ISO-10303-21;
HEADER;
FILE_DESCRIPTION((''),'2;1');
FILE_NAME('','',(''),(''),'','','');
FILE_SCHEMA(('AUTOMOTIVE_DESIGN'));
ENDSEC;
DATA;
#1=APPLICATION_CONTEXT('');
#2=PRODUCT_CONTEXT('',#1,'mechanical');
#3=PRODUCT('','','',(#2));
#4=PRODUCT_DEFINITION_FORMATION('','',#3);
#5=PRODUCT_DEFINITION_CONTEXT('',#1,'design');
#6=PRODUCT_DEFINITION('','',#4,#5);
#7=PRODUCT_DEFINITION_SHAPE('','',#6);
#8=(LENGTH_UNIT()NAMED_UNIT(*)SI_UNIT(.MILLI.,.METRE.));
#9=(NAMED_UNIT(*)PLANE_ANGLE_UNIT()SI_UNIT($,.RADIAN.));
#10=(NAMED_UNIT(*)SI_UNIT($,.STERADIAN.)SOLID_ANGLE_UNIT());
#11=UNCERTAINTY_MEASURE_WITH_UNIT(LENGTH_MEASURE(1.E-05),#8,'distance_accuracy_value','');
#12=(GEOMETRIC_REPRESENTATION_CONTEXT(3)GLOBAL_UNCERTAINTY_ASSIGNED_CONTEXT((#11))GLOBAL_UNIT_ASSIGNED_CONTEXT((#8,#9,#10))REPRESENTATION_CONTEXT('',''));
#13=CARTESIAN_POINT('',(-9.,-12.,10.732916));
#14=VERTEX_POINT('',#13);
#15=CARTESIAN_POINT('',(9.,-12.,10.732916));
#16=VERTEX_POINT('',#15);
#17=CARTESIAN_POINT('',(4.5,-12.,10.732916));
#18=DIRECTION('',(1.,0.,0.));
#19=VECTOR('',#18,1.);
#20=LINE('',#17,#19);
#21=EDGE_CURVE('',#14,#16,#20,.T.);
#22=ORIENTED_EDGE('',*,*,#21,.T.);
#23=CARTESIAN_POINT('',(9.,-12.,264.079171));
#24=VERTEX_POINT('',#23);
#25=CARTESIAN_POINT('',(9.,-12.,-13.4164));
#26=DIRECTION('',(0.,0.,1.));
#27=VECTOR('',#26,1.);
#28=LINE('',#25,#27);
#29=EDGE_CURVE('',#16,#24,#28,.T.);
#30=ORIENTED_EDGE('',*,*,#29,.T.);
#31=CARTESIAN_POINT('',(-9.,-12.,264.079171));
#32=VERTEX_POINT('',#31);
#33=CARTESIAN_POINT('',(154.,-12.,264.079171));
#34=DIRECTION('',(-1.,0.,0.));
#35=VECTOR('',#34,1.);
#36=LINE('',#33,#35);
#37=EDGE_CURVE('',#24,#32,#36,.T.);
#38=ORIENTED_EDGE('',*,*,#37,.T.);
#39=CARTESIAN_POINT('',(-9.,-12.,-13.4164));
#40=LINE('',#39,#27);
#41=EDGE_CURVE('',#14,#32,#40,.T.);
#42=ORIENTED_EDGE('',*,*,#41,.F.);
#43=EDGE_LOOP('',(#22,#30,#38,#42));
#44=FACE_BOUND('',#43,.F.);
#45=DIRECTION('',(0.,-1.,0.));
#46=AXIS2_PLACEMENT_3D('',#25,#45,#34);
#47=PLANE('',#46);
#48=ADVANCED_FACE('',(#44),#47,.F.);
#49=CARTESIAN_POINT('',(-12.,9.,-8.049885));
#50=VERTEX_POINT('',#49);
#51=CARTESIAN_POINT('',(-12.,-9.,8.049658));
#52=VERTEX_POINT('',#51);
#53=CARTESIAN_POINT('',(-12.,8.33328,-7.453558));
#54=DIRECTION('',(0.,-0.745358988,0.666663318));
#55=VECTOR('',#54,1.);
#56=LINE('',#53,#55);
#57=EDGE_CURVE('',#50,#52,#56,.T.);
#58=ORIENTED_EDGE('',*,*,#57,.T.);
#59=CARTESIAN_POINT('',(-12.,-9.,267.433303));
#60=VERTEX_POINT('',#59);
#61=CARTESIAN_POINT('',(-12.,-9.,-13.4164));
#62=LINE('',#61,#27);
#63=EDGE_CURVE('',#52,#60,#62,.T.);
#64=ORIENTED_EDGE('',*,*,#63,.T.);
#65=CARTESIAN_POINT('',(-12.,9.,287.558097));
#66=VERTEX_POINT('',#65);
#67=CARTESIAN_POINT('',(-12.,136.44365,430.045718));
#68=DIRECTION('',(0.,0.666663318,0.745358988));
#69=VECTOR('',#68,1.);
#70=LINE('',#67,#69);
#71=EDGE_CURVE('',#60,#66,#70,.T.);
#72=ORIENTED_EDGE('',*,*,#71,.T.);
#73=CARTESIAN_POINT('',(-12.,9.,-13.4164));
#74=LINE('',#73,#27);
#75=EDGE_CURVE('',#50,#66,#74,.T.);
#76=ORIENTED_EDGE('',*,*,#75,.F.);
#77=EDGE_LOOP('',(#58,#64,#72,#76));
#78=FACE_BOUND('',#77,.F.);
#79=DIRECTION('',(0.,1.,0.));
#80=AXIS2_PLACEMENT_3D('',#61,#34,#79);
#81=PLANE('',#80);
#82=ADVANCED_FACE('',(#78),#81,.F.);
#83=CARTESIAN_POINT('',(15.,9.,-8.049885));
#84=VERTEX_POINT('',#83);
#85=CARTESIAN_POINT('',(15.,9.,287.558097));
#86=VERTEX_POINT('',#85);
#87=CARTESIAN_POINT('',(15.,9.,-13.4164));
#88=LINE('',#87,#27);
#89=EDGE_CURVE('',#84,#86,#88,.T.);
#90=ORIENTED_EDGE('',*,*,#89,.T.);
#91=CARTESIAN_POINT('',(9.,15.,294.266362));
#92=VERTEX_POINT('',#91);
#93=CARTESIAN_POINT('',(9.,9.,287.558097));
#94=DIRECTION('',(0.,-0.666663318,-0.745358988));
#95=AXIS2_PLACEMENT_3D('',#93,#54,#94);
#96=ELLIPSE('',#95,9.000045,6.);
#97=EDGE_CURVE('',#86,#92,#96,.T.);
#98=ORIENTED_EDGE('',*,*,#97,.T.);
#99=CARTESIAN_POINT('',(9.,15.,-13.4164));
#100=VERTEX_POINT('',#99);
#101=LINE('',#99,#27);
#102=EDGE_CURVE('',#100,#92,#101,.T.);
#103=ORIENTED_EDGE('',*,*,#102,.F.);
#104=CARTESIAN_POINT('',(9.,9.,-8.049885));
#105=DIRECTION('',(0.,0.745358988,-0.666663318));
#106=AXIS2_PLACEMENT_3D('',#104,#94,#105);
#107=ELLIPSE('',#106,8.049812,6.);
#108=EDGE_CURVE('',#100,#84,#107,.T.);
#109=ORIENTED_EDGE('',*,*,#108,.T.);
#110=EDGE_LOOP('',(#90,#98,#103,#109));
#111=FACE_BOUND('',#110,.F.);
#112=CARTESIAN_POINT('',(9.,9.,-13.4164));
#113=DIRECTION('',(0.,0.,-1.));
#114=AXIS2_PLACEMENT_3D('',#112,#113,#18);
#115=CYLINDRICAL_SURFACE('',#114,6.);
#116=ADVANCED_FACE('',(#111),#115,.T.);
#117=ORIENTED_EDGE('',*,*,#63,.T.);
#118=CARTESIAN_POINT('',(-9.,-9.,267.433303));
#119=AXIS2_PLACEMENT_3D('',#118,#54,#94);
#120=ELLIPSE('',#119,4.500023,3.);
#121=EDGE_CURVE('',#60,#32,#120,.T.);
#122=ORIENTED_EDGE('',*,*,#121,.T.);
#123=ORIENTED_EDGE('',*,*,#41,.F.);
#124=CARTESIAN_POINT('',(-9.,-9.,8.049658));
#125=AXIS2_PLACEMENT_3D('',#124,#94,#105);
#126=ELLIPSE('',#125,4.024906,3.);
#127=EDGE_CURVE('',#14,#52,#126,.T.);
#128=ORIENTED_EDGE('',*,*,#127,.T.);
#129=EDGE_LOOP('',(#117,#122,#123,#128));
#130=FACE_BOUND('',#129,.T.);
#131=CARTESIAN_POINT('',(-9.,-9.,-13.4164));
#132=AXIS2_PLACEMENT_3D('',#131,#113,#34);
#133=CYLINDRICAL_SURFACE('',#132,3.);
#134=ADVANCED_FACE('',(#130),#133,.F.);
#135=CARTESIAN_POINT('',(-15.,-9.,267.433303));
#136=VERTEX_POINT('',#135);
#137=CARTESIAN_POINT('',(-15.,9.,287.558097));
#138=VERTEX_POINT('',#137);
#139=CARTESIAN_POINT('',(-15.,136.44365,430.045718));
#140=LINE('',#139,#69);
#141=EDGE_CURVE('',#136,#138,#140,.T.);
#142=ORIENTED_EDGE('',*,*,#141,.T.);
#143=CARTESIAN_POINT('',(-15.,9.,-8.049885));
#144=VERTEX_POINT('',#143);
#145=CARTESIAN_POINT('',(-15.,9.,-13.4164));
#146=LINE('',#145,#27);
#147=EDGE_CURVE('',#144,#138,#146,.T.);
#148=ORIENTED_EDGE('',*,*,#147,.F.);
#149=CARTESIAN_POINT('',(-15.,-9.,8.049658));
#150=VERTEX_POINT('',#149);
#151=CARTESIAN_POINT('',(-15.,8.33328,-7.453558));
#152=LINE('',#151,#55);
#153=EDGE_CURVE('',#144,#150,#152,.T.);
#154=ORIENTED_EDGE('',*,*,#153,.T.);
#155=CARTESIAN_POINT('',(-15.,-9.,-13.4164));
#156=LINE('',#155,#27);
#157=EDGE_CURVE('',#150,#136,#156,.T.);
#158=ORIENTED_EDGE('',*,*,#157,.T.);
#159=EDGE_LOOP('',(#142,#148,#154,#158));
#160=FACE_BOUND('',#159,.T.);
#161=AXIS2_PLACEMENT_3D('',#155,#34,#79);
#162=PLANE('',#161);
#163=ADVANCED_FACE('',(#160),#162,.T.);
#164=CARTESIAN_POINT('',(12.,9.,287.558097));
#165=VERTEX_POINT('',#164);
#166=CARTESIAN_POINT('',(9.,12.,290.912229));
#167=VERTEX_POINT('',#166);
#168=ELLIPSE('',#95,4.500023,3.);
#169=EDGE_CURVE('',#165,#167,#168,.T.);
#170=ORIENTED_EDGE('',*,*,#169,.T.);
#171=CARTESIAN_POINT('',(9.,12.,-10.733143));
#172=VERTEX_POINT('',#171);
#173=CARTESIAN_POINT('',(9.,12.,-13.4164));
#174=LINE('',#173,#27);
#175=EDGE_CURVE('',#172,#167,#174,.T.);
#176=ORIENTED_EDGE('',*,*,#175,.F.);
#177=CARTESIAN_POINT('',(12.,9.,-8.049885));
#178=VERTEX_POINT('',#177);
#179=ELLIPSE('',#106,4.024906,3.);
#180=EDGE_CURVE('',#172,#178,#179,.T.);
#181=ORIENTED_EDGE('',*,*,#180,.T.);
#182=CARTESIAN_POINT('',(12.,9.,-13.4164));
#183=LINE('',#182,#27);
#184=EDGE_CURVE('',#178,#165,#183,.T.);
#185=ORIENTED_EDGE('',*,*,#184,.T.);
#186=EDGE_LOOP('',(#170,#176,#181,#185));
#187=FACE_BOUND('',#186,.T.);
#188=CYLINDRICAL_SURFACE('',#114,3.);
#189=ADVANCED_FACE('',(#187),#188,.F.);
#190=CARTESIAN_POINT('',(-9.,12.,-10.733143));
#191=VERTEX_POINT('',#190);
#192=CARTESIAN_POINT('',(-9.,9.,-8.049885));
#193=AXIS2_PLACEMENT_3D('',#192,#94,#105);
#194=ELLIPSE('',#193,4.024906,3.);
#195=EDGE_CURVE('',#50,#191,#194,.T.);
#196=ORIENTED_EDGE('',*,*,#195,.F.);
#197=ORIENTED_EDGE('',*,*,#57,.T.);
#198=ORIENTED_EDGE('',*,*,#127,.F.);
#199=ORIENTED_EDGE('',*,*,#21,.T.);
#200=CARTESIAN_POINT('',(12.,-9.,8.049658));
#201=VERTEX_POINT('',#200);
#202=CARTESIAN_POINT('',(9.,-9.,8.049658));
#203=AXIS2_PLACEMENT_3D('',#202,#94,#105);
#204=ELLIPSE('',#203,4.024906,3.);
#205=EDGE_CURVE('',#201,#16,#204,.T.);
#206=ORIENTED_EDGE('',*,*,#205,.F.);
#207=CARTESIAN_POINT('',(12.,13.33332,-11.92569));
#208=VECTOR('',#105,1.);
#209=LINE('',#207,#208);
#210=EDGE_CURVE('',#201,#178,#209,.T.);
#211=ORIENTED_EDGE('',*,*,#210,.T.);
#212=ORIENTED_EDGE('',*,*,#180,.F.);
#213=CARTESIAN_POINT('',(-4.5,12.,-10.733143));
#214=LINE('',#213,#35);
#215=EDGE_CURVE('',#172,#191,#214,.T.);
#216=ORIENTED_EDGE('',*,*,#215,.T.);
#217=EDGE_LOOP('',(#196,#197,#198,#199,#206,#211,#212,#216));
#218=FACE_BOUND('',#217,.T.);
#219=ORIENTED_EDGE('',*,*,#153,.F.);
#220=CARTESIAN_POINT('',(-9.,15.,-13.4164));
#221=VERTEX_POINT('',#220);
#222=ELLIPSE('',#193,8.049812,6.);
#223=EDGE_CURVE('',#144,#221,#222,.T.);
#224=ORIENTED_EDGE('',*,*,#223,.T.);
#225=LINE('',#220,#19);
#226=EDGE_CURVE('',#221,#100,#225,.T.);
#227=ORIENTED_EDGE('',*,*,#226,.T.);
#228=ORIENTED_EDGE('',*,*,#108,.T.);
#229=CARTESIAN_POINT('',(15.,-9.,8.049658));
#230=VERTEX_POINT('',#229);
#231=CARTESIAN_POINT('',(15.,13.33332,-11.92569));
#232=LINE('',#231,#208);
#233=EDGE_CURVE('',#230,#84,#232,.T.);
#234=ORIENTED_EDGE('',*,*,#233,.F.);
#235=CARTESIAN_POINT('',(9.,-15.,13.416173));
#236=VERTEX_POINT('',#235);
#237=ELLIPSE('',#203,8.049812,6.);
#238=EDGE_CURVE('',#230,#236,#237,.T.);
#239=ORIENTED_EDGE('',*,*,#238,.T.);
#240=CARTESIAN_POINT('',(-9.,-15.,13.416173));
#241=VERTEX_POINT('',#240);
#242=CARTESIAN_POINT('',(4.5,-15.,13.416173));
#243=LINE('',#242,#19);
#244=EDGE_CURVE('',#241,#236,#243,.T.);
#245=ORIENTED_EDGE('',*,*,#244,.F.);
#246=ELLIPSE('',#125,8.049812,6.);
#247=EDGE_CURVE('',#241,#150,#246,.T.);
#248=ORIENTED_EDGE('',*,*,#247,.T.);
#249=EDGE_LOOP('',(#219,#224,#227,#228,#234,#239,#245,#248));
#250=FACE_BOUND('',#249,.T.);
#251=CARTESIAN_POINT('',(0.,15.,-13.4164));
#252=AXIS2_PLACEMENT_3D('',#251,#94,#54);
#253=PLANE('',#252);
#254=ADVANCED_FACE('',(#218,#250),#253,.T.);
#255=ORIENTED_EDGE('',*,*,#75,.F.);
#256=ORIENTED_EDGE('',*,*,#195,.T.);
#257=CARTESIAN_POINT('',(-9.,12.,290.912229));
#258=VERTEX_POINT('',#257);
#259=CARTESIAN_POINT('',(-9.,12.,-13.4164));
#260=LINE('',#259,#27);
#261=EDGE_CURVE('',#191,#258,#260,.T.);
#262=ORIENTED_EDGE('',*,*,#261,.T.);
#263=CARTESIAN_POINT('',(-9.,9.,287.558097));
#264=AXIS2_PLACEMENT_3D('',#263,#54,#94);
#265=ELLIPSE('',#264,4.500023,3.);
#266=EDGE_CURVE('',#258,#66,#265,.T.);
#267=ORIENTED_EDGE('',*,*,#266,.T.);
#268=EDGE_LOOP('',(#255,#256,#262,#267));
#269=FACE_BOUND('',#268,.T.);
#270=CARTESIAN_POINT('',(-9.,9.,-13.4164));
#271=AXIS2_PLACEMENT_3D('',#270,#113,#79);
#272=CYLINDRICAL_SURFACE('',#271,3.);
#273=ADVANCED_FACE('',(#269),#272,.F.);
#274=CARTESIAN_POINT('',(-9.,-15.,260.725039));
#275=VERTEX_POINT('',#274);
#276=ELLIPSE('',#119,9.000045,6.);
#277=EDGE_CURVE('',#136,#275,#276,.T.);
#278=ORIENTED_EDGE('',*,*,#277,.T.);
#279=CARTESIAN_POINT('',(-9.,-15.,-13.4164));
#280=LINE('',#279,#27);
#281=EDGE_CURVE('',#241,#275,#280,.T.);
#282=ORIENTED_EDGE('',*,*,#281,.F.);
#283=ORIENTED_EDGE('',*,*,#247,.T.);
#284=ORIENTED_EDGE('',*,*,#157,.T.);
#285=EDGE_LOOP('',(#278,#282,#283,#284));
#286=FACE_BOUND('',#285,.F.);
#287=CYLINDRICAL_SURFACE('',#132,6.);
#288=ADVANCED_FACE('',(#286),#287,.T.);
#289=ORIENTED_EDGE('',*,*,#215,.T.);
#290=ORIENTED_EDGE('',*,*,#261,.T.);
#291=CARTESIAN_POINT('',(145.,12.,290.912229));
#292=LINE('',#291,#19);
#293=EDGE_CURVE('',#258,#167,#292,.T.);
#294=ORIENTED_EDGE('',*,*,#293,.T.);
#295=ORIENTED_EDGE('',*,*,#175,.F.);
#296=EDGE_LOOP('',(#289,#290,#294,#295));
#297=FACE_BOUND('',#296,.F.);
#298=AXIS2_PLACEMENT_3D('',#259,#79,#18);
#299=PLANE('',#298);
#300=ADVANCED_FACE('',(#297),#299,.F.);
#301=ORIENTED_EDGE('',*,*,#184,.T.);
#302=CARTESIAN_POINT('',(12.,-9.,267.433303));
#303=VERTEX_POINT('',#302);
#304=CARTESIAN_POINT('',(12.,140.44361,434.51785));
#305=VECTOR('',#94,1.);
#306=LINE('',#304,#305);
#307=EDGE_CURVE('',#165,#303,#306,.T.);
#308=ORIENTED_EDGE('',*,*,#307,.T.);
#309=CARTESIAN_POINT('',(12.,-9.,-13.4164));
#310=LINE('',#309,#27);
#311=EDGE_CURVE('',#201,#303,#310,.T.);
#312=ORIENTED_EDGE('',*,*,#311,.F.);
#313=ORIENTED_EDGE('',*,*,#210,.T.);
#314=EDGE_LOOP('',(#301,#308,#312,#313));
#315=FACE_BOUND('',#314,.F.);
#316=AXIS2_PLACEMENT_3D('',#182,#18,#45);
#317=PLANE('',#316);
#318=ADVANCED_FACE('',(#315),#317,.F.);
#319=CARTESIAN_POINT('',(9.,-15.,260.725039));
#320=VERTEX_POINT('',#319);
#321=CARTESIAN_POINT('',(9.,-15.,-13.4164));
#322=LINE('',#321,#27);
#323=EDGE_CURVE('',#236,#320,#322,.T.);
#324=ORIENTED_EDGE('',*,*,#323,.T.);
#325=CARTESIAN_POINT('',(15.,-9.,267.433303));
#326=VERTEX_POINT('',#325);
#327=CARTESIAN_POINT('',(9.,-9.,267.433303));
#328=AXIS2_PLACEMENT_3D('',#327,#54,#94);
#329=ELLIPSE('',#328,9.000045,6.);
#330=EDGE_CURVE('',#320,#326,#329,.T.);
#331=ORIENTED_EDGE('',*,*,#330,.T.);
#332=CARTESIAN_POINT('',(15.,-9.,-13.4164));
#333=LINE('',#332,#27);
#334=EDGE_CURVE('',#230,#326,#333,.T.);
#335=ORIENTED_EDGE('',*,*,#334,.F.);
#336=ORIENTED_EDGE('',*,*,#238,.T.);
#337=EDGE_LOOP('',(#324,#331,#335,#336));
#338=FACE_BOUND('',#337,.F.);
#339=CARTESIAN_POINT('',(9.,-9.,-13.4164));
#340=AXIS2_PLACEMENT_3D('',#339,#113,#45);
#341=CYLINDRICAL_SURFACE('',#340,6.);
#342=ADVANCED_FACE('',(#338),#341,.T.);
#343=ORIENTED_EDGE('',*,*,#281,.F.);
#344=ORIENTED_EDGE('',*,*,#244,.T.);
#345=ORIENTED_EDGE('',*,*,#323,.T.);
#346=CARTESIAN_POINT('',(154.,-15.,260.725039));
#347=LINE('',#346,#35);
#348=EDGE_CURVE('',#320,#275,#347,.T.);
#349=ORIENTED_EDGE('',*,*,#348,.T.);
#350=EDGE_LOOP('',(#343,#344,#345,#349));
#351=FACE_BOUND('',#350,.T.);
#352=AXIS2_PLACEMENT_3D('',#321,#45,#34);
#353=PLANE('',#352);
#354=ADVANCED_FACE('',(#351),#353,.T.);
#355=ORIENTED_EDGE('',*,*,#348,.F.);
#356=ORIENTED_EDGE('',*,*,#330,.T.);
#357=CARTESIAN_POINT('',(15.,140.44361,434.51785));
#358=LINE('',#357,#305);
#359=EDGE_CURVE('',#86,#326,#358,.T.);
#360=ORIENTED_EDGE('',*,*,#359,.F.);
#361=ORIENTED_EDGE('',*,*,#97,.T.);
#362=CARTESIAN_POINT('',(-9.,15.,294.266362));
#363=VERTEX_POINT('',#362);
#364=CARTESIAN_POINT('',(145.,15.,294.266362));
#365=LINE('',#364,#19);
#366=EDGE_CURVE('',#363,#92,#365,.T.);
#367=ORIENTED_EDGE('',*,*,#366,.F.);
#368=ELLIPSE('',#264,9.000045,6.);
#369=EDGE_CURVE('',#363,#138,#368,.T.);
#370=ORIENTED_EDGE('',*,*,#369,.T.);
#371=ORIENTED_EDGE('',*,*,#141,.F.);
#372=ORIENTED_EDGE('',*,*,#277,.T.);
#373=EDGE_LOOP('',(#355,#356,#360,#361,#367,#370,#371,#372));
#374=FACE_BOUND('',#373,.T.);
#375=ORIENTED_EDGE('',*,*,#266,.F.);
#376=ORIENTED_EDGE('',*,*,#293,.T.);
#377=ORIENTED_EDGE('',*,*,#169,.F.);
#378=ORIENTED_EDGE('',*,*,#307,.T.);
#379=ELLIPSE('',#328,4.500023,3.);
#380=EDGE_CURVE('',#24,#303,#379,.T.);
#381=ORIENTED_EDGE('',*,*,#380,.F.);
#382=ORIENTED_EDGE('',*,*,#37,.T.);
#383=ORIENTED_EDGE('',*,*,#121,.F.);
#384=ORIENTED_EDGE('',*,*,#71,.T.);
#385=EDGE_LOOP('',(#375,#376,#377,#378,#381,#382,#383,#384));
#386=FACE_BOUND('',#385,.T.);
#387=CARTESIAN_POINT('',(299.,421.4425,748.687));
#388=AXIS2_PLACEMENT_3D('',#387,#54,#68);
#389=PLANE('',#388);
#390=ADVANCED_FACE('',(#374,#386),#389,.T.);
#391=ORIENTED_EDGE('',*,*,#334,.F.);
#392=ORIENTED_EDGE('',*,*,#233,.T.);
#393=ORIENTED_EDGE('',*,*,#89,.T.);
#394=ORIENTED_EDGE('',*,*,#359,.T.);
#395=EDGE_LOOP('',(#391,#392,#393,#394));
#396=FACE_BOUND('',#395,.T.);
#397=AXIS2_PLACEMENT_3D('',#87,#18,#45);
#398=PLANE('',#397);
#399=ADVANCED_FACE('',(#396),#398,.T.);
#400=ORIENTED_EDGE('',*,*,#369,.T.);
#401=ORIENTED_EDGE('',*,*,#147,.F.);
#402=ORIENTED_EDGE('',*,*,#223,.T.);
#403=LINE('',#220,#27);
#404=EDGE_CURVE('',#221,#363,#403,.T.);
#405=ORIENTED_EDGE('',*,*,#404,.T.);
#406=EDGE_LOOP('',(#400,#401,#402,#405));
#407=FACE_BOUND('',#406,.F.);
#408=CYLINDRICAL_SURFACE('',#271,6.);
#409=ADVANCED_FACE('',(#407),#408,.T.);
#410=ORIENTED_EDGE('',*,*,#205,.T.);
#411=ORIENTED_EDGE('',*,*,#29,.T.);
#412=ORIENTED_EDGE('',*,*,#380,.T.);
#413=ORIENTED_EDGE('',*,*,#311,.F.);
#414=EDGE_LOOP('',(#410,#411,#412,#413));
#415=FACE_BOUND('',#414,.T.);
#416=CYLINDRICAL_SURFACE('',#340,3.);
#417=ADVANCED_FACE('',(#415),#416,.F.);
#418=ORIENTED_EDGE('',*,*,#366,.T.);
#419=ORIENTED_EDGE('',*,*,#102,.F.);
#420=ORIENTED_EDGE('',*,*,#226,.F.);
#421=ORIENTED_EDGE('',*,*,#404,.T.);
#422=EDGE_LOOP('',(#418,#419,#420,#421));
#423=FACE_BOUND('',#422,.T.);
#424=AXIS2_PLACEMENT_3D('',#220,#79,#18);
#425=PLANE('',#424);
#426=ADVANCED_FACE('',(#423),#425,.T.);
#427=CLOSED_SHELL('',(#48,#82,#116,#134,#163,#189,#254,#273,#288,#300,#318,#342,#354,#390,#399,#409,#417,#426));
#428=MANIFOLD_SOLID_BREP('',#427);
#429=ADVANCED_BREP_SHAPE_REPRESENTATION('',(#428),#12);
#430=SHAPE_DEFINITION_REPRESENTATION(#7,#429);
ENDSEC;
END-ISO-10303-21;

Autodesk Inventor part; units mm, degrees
ref_plane "Start Plane" through (0, 0, -13.4164) normal (0, 0, 1) x (1, 0, 0)
ref_plane "End Plane" through (0, 0, 294.2705) normal (0, 0, 1) x (1, 0, 0)
sketch "Sketch" plane through (0, 0, 0) normal (0, 0, 1) x (1, 0, 0)
  line L0 (-15, -9) -> (-15, 9)
  line L1 (-9, 15) -> (9, 15)
  line L2 (15, 9) -> (15, -9)
  line L3 (9, -15) -> (-9, -15)
  arc A0 (-15, -9) -> (-9, -15) centre (-9, -9) ccw
  arc A1 (-9, 15) -> (-15, 9) centre (-9, 9) ccw
  arc A2 (15, 9) -> (9, 15) centre (9, 9) ccw
  arc A3 (9, -15) -> (15, -9) centre (9, -9) ccw
  arc A4 (-9, 12) -> (-12, 9) centre (-9, 9) ccw
  line L4 (-9, 12) -> (9, 12)
  arc A5 (12, 9) -> (9, 12) centre (9, 9) ccw
  line L5 (12, 9) -> (12, -9)
  arc A6 (9, -12) -> (12, -9) centre (9, -9) ccw
  line L6 (9, -12) -> (-9, -12)
  arc A7 (-12, -9) -> (-9, -12) centre (-9, -9) ccw
  line L7 (-12, -9) -> (-12, 9)
  line L8 (0, 22.7397) -> (0, -22.7397) construction
  line L9 (-22.7397, 0) -> (22.7397, 0) construction
  dimension "d7" = 6
  dimension "d10" = 30
  dimension "d11" = 30
  dimension "d12" = 3
  dimension "d15" = 15
  dimension "d16" = 15
extrude "Body" add sketch "Sketch" along normal up to surface (307.6869 mm away) from surface at -13.4164
sketch "Sketch3" plane through (0, 0, 0) normal (0, 0, 1) x (1, 0, 0)
  line L0 (0, 0) -> (10, 0)
ref_plane "Work Plane3" through (0, 0, 0) normal (0, -1, 0) x (1, 0, 0)
ref_plane "Work Plane4" through (0, 15, -13.4164) normal (0, -0.6667, -0.7454) x (1, 0, 0)
split "Split1" plane through (0, 15, -13.4164) removes the side toward (0, -0.6667, -0.7454)
ref_plane "Work Plane5" through (299, 421.4425, 748.687) normal (0, -0.7454, 0.6667) x (1, 0, 0)
split "Split2" plane through (299, 421.4425, 748.687) removes the side toward (0, -0.7454, 0.6667)
sketch "Sketch4" plane through (0, 0, 0) normal (0, -1, 0) x (1, 0, 0)
  line L0 (-2, -13.4164) -> (12, -13.4164) projected
  line L1 (-2, 294.2705) -> (12, 294.2705) projected
  dimension "d18" = 307.6869
equation "\"d7\" = G_IR"
equation "\"d10\" = G_H"
equation "\"d11\" = G_W"
equation "\"d12\" = G_T"
equation "\"d15\" = 0.5 * d10"
equation "\"d16\" = 0.5 * d11"
equation "\"d3\" = G_L"
equation "\"G_W\" = 30"
equation "\"G_H\" = 30"
equation "\"G_T\" = 3"
equation "\"G_IR\" = 6"
equation "\"G_L\" = d18"
equation "\"G_OFFSET_START\" = 13.41641"
equation "\"G_OFFSET_END\" = -5.72949"
equation "\"d13\" = -G_OFFSET_START"
equation "\"d14\" = G_OFFSET_END + B_L"
equation "\"B_L\" = 300"
properties part number "DIN EN 10219-2 - 30 x 30 x 3  - 307.69" material "Steel, Mild"
